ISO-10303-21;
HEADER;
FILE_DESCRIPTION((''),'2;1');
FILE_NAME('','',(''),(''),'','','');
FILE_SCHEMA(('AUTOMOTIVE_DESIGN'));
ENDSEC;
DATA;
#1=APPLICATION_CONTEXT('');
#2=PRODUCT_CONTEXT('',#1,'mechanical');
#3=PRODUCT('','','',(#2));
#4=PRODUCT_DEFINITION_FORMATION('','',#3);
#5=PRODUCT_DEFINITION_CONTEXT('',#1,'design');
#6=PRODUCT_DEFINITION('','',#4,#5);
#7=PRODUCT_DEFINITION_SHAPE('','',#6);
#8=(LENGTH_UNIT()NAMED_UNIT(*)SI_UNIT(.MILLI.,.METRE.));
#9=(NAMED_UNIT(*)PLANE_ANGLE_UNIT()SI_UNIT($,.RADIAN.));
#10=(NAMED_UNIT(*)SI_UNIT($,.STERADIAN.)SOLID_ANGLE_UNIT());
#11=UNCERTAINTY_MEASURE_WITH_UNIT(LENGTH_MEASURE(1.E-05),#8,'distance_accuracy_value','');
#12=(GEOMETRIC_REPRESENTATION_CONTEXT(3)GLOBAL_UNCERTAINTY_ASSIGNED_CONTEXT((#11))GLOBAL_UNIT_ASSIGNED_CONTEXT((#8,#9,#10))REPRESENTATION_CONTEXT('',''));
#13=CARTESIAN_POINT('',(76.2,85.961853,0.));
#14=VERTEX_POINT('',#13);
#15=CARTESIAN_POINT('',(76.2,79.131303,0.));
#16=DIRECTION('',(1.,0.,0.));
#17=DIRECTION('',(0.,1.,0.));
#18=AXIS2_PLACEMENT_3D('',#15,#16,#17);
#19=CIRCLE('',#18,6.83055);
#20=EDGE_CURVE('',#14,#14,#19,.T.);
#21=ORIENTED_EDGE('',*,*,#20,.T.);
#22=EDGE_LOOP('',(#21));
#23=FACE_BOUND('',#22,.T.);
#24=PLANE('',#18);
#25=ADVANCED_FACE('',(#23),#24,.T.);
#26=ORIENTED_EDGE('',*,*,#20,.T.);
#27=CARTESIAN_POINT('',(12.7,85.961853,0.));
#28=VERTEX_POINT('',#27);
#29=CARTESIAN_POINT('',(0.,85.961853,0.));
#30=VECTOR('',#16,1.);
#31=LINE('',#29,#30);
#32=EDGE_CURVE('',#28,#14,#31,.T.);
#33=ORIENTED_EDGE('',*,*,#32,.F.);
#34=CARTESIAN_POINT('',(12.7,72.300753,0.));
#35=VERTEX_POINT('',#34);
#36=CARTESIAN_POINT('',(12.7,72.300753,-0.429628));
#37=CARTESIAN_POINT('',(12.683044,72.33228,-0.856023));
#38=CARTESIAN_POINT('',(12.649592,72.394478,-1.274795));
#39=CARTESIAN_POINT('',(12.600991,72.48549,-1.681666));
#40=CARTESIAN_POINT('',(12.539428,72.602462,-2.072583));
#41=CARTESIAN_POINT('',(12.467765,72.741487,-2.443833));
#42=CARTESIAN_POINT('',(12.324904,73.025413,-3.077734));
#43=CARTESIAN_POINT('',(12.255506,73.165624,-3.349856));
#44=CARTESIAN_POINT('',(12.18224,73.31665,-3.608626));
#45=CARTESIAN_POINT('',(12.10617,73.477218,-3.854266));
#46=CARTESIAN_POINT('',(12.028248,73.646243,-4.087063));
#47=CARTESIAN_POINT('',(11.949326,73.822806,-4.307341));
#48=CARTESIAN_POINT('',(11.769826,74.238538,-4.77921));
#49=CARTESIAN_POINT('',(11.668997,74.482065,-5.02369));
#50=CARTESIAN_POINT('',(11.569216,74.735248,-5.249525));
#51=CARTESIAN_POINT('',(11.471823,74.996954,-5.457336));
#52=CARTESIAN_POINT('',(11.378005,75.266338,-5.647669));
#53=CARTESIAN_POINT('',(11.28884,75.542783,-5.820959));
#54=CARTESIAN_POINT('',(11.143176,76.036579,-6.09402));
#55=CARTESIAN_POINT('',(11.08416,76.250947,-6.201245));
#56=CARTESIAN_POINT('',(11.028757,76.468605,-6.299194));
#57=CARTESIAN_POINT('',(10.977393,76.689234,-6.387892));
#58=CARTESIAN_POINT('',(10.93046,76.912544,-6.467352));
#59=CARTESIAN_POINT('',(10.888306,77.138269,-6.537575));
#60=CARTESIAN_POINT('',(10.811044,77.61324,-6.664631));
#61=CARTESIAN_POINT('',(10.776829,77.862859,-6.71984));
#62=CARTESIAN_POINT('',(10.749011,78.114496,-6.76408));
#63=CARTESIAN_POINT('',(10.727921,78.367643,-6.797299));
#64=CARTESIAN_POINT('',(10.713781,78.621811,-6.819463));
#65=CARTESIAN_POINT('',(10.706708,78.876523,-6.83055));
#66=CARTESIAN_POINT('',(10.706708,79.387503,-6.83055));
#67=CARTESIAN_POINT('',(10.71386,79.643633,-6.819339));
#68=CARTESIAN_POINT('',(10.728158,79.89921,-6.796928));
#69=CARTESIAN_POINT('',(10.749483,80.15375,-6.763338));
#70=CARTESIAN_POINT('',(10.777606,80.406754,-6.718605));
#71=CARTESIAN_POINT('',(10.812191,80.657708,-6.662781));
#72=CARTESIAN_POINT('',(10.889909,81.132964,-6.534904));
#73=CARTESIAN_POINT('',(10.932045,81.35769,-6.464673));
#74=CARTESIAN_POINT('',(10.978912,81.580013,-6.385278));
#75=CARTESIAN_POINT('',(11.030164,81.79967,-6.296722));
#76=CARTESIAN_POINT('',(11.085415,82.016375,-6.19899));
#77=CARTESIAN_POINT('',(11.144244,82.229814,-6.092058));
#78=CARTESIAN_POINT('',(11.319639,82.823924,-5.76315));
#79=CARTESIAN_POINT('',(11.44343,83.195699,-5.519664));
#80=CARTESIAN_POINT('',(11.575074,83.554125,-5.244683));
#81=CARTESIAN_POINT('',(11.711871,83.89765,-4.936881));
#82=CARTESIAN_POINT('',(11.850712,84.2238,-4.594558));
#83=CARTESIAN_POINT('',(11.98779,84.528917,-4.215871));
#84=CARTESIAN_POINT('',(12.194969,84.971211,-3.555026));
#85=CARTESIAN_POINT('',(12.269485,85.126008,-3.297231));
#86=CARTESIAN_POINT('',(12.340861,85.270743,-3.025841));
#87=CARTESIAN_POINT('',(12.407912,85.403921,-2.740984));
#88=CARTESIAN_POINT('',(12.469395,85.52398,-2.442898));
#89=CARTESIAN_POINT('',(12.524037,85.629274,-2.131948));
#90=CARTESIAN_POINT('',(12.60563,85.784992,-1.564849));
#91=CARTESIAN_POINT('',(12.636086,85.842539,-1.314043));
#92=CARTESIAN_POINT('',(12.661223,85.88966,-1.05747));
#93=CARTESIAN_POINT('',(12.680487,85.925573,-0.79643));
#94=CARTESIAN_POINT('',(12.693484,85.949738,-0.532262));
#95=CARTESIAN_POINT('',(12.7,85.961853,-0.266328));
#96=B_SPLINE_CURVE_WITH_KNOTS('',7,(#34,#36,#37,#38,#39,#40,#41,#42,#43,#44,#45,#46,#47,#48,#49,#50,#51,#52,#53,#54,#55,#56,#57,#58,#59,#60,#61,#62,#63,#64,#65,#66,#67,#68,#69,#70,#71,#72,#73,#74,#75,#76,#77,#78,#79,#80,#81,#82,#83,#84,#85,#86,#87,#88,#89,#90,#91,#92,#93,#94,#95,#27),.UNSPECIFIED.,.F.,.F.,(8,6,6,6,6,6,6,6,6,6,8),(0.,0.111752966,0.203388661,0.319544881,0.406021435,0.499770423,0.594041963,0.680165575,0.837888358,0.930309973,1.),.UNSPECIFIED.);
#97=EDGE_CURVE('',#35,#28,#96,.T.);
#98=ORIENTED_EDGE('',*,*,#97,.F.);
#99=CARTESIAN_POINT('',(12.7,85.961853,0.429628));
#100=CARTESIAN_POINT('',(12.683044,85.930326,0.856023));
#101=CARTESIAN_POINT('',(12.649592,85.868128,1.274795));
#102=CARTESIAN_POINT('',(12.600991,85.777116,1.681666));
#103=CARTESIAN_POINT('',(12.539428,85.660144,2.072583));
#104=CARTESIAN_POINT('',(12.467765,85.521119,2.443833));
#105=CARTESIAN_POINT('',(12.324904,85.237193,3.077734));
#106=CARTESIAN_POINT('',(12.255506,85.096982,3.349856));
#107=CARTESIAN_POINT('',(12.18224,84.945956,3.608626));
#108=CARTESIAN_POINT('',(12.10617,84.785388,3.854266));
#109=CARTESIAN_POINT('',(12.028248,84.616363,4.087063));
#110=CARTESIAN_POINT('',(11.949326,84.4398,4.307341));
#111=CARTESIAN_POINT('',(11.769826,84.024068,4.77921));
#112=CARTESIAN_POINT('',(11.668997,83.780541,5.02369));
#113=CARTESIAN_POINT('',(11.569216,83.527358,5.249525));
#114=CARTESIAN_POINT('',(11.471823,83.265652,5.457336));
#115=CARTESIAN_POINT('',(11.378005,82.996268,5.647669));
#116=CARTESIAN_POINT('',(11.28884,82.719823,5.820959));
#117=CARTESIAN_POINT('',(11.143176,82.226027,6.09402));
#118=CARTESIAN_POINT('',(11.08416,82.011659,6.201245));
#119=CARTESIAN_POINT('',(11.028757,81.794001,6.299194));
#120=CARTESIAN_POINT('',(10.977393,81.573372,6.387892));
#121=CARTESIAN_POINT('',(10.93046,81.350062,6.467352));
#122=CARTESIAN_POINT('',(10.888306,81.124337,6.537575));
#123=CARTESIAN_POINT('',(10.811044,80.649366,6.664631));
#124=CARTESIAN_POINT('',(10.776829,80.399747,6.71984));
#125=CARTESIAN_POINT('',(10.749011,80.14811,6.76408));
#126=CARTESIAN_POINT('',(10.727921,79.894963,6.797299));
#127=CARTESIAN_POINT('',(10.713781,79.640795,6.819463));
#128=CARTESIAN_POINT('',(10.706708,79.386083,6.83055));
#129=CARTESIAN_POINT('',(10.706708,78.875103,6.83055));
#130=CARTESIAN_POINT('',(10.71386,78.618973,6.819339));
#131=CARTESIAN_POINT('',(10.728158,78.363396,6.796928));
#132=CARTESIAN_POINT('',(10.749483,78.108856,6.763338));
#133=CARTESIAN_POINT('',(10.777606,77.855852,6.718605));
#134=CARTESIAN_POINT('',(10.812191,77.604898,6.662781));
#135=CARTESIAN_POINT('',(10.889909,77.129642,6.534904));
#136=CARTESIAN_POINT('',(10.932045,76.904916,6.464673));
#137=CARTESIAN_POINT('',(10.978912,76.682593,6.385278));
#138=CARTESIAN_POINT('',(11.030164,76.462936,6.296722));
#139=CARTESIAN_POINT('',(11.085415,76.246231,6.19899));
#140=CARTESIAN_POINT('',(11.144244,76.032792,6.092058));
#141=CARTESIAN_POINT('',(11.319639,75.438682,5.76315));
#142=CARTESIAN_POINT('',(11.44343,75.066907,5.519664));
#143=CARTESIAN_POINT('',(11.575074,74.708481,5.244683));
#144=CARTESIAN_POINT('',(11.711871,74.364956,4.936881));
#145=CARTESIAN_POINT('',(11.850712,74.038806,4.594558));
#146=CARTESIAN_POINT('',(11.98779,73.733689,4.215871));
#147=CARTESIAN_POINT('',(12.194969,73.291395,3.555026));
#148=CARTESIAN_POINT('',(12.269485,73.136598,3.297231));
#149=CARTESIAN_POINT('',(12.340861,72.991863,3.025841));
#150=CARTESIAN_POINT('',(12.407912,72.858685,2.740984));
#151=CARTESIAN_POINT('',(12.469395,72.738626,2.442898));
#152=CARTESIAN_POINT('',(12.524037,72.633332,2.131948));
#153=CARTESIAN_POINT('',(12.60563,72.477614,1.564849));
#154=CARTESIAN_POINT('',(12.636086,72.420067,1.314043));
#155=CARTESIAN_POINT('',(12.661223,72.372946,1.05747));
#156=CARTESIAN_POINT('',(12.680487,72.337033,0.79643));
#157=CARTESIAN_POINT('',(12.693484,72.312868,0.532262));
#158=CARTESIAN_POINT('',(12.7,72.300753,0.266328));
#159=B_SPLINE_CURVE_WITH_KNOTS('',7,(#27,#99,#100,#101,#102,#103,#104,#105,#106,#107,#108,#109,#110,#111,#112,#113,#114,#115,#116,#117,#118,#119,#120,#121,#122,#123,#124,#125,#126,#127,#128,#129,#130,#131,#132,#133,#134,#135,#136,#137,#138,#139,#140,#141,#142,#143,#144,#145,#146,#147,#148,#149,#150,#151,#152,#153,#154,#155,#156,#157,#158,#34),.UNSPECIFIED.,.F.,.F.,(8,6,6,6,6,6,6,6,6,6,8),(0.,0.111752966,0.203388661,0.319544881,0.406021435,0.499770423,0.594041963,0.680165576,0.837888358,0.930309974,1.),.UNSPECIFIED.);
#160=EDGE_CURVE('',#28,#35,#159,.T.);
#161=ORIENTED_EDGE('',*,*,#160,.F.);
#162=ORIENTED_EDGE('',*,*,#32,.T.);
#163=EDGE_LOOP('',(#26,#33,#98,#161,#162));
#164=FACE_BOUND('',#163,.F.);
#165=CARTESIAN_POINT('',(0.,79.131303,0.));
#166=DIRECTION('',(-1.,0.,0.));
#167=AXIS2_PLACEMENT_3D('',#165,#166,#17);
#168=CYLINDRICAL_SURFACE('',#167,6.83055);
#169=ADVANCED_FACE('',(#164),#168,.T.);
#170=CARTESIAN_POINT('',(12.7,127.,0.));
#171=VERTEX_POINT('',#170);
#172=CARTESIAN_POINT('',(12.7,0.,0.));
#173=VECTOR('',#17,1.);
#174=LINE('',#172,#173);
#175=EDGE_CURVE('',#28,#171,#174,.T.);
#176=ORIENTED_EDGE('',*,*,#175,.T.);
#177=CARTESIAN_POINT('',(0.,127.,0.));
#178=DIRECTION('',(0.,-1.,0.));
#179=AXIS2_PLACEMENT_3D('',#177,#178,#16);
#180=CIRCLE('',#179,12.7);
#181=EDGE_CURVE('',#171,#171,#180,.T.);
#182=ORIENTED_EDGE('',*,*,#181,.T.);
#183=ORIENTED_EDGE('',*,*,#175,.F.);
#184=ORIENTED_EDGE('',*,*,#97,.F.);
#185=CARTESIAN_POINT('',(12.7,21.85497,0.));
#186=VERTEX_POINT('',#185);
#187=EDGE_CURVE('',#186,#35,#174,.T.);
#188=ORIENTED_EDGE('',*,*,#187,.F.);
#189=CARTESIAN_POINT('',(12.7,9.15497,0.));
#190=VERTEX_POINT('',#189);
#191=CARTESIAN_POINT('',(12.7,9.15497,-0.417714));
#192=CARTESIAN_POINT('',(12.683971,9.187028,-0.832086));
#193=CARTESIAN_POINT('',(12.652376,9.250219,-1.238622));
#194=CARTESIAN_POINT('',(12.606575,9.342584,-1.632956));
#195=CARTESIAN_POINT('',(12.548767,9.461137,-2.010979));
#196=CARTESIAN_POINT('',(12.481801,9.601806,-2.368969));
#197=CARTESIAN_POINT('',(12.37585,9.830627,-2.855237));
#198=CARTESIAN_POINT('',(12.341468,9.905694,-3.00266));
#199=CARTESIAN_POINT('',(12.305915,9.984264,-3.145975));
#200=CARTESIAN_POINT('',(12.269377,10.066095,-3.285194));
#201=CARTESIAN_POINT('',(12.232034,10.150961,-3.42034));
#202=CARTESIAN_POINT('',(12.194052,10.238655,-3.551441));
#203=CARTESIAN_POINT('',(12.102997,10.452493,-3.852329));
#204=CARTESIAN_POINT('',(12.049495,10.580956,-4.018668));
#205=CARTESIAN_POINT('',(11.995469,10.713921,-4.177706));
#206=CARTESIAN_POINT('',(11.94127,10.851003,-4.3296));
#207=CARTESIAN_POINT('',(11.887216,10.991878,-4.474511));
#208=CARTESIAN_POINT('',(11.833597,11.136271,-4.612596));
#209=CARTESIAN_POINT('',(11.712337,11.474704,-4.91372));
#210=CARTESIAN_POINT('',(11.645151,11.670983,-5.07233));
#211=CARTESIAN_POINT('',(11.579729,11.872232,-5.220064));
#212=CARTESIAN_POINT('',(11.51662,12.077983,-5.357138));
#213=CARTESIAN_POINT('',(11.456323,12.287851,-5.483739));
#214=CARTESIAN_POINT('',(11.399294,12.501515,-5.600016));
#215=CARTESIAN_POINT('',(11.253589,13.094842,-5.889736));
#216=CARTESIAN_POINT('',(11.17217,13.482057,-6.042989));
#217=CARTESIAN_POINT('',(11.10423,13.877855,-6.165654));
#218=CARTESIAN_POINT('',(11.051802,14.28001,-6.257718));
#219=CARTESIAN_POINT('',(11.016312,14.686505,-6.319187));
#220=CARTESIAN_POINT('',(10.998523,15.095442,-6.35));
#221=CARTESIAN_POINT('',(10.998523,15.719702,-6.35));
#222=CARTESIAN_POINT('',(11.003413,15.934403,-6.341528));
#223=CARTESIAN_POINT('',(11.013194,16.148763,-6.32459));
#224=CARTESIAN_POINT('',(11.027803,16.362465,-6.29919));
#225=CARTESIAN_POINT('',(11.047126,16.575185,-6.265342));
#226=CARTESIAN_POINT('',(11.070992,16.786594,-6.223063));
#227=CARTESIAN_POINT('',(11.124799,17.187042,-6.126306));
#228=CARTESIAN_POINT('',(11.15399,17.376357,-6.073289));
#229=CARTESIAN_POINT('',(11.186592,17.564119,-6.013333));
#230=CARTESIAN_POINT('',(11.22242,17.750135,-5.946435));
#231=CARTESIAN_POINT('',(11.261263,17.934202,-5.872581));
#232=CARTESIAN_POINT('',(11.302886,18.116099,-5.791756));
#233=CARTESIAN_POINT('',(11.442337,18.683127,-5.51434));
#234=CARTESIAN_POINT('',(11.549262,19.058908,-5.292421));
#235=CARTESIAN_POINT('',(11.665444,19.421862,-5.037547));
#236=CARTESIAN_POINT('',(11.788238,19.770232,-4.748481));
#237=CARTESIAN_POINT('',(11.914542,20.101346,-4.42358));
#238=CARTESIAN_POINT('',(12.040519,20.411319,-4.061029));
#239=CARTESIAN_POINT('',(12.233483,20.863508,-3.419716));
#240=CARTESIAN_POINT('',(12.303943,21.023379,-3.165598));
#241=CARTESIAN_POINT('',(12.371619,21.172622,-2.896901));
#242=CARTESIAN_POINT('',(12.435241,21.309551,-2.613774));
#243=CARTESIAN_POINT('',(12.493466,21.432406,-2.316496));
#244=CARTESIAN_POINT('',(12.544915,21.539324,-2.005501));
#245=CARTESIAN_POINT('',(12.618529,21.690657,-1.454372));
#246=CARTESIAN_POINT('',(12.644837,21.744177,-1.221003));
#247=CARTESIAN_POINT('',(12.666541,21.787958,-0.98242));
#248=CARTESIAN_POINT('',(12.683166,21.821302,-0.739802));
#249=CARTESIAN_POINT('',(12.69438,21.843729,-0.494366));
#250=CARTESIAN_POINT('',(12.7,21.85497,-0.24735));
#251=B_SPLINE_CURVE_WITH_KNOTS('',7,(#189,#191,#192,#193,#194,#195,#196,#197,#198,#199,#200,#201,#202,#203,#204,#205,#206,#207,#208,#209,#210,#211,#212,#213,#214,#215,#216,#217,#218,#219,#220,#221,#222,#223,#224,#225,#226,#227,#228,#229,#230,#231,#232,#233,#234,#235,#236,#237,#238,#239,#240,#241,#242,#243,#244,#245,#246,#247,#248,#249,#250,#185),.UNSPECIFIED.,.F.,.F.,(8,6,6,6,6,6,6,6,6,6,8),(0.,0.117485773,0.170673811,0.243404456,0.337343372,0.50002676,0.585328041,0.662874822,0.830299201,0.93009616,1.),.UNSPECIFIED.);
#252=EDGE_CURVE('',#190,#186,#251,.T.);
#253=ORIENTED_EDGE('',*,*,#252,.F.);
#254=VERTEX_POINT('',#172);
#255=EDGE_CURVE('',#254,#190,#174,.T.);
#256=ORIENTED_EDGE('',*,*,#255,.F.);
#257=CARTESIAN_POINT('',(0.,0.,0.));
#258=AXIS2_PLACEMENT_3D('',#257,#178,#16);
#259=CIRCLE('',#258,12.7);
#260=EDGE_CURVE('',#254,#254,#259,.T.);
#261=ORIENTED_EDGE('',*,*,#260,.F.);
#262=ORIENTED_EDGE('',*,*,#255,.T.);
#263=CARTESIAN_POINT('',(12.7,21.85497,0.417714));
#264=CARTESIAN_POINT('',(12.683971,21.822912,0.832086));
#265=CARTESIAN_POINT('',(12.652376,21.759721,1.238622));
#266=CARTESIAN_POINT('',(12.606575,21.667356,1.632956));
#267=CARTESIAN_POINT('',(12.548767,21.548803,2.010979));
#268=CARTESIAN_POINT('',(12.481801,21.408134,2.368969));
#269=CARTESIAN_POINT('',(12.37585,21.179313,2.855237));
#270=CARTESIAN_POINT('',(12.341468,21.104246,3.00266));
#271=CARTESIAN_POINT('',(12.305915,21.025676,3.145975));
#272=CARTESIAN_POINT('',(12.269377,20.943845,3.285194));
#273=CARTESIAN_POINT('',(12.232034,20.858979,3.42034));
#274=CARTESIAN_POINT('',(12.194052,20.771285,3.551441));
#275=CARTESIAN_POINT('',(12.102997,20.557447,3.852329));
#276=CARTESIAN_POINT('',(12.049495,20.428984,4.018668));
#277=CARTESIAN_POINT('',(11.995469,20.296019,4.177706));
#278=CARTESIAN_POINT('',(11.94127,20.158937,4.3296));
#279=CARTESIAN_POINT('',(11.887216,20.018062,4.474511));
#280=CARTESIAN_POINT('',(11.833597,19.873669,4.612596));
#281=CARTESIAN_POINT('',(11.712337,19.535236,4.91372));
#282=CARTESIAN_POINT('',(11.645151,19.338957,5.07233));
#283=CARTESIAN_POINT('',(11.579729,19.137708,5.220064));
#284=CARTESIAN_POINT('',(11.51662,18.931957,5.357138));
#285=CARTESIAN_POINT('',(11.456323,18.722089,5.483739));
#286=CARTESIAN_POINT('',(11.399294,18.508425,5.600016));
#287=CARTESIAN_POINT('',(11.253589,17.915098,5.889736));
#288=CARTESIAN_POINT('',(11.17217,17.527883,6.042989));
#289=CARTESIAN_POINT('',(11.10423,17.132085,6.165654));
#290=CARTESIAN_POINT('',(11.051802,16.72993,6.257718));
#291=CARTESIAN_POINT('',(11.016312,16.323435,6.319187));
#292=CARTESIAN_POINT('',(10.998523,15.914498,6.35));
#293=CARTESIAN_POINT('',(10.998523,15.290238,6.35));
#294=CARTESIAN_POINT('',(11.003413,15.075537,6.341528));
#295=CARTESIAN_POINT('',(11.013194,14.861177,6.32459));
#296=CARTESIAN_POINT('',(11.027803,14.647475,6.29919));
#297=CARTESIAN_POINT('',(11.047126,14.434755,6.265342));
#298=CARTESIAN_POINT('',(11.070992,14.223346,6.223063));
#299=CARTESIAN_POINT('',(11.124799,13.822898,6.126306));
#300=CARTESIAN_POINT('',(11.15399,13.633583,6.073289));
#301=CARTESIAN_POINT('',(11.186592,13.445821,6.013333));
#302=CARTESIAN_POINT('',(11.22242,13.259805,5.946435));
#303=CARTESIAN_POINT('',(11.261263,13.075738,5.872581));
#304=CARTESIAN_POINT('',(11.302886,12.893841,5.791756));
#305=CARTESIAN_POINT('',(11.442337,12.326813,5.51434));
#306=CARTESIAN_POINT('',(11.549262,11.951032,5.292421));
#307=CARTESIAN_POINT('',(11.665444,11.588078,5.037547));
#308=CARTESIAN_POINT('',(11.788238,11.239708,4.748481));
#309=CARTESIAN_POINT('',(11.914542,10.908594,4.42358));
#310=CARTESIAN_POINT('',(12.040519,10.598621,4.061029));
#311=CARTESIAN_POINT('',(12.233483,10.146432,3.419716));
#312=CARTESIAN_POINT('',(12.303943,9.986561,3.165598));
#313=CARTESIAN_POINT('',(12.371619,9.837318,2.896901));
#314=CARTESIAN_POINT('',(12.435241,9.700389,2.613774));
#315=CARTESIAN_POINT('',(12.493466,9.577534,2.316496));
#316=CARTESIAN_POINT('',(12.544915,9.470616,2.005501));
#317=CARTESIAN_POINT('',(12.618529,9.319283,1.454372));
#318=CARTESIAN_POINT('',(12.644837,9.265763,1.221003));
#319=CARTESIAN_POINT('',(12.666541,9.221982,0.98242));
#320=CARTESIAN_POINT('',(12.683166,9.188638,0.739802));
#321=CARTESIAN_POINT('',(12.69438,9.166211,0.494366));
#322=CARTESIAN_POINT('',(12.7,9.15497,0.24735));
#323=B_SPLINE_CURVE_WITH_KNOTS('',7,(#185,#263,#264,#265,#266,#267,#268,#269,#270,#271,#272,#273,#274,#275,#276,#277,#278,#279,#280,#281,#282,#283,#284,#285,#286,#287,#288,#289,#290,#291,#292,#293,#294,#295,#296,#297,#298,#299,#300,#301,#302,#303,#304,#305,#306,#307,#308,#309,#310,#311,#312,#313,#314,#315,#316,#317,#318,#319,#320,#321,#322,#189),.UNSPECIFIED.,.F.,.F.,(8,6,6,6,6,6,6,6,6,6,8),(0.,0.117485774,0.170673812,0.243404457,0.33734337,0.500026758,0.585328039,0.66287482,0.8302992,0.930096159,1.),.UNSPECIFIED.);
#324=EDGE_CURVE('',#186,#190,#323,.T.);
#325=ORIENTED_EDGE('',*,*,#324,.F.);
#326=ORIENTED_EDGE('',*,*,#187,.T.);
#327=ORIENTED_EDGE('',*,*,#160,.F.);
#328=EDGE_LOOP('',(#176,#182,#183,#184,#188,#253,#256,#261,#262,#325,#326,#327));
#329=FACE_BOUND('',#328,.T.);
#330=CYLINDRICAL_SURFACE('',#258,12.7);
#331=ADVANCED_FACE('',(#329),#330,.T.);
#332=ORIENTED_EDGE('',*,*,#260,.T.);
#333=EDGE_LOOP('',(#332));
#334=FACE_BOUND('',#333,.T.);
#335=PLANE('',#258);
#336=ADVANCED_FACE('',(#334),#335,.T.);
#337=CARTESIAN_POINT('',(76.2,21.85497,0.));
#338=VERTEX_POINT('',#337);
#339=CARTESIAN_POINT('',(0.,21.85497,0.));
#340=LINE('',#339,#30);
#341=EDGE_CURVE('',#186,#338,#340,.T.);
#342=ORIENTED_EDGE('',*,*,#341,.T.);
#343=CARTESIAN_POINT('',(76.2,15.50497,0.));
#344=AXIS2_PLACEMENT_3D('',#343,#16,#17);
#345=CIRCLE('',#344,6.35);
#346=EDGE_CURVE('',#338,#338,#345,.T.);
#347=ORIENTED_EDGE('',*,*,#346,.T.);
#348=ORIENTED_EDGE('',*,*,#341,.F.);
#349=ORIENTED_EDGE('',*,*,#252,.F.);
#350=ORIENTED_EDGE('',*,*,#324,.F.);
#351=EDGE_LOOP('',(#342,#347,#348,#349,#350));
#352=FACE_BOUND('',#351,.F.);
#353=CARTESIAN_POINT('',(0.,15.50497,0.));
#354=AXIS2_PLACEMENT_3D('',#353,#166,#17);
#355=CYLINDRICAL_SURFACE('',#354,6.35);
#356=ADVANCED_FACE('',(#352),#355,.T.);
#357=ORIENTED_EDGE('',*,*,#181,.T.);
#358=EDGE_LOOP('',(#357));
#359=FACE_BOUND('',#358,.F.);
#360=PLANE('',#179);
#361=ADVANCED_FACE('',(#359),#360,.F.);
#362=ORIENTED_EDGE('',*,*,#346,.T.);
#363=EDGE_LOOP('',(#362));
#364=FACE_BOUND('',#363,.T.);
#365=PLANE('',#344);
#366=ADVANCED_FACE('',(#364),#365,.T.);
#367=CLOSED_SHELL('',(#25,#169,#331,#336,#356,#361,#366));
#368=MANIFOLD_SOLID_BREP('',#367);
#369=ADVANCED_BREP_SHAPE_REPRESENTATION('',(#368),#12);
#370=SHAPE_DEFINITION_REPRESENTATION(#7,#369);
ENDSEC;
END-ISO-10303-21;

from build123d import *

# Parameters (mm, degrees)
F0_R     = 12.7
F1_DEPTH = 127
F2_R     = 6.35
F2_R_2   = 6.83055
F3_DEPTH = 76.2


with BuildPart() as f1:
    # F0 (on Front) → F1 (new body)
    with BuildSketch(Plane.XZ):
        Circle(F0_R)
    extrude(amount=-F1_DEPTH)

    # F2 (on Right) → F3 (join)
    with BuildSketch(Plane.YZ):
        with Locations((15.50497, 0)):
            Circle(F2_R)
        with Locations((79.131303, 0)):
            Circle(F2_R_2)
    extrude(amount=F3_DEPTH)


solid = f1.part
